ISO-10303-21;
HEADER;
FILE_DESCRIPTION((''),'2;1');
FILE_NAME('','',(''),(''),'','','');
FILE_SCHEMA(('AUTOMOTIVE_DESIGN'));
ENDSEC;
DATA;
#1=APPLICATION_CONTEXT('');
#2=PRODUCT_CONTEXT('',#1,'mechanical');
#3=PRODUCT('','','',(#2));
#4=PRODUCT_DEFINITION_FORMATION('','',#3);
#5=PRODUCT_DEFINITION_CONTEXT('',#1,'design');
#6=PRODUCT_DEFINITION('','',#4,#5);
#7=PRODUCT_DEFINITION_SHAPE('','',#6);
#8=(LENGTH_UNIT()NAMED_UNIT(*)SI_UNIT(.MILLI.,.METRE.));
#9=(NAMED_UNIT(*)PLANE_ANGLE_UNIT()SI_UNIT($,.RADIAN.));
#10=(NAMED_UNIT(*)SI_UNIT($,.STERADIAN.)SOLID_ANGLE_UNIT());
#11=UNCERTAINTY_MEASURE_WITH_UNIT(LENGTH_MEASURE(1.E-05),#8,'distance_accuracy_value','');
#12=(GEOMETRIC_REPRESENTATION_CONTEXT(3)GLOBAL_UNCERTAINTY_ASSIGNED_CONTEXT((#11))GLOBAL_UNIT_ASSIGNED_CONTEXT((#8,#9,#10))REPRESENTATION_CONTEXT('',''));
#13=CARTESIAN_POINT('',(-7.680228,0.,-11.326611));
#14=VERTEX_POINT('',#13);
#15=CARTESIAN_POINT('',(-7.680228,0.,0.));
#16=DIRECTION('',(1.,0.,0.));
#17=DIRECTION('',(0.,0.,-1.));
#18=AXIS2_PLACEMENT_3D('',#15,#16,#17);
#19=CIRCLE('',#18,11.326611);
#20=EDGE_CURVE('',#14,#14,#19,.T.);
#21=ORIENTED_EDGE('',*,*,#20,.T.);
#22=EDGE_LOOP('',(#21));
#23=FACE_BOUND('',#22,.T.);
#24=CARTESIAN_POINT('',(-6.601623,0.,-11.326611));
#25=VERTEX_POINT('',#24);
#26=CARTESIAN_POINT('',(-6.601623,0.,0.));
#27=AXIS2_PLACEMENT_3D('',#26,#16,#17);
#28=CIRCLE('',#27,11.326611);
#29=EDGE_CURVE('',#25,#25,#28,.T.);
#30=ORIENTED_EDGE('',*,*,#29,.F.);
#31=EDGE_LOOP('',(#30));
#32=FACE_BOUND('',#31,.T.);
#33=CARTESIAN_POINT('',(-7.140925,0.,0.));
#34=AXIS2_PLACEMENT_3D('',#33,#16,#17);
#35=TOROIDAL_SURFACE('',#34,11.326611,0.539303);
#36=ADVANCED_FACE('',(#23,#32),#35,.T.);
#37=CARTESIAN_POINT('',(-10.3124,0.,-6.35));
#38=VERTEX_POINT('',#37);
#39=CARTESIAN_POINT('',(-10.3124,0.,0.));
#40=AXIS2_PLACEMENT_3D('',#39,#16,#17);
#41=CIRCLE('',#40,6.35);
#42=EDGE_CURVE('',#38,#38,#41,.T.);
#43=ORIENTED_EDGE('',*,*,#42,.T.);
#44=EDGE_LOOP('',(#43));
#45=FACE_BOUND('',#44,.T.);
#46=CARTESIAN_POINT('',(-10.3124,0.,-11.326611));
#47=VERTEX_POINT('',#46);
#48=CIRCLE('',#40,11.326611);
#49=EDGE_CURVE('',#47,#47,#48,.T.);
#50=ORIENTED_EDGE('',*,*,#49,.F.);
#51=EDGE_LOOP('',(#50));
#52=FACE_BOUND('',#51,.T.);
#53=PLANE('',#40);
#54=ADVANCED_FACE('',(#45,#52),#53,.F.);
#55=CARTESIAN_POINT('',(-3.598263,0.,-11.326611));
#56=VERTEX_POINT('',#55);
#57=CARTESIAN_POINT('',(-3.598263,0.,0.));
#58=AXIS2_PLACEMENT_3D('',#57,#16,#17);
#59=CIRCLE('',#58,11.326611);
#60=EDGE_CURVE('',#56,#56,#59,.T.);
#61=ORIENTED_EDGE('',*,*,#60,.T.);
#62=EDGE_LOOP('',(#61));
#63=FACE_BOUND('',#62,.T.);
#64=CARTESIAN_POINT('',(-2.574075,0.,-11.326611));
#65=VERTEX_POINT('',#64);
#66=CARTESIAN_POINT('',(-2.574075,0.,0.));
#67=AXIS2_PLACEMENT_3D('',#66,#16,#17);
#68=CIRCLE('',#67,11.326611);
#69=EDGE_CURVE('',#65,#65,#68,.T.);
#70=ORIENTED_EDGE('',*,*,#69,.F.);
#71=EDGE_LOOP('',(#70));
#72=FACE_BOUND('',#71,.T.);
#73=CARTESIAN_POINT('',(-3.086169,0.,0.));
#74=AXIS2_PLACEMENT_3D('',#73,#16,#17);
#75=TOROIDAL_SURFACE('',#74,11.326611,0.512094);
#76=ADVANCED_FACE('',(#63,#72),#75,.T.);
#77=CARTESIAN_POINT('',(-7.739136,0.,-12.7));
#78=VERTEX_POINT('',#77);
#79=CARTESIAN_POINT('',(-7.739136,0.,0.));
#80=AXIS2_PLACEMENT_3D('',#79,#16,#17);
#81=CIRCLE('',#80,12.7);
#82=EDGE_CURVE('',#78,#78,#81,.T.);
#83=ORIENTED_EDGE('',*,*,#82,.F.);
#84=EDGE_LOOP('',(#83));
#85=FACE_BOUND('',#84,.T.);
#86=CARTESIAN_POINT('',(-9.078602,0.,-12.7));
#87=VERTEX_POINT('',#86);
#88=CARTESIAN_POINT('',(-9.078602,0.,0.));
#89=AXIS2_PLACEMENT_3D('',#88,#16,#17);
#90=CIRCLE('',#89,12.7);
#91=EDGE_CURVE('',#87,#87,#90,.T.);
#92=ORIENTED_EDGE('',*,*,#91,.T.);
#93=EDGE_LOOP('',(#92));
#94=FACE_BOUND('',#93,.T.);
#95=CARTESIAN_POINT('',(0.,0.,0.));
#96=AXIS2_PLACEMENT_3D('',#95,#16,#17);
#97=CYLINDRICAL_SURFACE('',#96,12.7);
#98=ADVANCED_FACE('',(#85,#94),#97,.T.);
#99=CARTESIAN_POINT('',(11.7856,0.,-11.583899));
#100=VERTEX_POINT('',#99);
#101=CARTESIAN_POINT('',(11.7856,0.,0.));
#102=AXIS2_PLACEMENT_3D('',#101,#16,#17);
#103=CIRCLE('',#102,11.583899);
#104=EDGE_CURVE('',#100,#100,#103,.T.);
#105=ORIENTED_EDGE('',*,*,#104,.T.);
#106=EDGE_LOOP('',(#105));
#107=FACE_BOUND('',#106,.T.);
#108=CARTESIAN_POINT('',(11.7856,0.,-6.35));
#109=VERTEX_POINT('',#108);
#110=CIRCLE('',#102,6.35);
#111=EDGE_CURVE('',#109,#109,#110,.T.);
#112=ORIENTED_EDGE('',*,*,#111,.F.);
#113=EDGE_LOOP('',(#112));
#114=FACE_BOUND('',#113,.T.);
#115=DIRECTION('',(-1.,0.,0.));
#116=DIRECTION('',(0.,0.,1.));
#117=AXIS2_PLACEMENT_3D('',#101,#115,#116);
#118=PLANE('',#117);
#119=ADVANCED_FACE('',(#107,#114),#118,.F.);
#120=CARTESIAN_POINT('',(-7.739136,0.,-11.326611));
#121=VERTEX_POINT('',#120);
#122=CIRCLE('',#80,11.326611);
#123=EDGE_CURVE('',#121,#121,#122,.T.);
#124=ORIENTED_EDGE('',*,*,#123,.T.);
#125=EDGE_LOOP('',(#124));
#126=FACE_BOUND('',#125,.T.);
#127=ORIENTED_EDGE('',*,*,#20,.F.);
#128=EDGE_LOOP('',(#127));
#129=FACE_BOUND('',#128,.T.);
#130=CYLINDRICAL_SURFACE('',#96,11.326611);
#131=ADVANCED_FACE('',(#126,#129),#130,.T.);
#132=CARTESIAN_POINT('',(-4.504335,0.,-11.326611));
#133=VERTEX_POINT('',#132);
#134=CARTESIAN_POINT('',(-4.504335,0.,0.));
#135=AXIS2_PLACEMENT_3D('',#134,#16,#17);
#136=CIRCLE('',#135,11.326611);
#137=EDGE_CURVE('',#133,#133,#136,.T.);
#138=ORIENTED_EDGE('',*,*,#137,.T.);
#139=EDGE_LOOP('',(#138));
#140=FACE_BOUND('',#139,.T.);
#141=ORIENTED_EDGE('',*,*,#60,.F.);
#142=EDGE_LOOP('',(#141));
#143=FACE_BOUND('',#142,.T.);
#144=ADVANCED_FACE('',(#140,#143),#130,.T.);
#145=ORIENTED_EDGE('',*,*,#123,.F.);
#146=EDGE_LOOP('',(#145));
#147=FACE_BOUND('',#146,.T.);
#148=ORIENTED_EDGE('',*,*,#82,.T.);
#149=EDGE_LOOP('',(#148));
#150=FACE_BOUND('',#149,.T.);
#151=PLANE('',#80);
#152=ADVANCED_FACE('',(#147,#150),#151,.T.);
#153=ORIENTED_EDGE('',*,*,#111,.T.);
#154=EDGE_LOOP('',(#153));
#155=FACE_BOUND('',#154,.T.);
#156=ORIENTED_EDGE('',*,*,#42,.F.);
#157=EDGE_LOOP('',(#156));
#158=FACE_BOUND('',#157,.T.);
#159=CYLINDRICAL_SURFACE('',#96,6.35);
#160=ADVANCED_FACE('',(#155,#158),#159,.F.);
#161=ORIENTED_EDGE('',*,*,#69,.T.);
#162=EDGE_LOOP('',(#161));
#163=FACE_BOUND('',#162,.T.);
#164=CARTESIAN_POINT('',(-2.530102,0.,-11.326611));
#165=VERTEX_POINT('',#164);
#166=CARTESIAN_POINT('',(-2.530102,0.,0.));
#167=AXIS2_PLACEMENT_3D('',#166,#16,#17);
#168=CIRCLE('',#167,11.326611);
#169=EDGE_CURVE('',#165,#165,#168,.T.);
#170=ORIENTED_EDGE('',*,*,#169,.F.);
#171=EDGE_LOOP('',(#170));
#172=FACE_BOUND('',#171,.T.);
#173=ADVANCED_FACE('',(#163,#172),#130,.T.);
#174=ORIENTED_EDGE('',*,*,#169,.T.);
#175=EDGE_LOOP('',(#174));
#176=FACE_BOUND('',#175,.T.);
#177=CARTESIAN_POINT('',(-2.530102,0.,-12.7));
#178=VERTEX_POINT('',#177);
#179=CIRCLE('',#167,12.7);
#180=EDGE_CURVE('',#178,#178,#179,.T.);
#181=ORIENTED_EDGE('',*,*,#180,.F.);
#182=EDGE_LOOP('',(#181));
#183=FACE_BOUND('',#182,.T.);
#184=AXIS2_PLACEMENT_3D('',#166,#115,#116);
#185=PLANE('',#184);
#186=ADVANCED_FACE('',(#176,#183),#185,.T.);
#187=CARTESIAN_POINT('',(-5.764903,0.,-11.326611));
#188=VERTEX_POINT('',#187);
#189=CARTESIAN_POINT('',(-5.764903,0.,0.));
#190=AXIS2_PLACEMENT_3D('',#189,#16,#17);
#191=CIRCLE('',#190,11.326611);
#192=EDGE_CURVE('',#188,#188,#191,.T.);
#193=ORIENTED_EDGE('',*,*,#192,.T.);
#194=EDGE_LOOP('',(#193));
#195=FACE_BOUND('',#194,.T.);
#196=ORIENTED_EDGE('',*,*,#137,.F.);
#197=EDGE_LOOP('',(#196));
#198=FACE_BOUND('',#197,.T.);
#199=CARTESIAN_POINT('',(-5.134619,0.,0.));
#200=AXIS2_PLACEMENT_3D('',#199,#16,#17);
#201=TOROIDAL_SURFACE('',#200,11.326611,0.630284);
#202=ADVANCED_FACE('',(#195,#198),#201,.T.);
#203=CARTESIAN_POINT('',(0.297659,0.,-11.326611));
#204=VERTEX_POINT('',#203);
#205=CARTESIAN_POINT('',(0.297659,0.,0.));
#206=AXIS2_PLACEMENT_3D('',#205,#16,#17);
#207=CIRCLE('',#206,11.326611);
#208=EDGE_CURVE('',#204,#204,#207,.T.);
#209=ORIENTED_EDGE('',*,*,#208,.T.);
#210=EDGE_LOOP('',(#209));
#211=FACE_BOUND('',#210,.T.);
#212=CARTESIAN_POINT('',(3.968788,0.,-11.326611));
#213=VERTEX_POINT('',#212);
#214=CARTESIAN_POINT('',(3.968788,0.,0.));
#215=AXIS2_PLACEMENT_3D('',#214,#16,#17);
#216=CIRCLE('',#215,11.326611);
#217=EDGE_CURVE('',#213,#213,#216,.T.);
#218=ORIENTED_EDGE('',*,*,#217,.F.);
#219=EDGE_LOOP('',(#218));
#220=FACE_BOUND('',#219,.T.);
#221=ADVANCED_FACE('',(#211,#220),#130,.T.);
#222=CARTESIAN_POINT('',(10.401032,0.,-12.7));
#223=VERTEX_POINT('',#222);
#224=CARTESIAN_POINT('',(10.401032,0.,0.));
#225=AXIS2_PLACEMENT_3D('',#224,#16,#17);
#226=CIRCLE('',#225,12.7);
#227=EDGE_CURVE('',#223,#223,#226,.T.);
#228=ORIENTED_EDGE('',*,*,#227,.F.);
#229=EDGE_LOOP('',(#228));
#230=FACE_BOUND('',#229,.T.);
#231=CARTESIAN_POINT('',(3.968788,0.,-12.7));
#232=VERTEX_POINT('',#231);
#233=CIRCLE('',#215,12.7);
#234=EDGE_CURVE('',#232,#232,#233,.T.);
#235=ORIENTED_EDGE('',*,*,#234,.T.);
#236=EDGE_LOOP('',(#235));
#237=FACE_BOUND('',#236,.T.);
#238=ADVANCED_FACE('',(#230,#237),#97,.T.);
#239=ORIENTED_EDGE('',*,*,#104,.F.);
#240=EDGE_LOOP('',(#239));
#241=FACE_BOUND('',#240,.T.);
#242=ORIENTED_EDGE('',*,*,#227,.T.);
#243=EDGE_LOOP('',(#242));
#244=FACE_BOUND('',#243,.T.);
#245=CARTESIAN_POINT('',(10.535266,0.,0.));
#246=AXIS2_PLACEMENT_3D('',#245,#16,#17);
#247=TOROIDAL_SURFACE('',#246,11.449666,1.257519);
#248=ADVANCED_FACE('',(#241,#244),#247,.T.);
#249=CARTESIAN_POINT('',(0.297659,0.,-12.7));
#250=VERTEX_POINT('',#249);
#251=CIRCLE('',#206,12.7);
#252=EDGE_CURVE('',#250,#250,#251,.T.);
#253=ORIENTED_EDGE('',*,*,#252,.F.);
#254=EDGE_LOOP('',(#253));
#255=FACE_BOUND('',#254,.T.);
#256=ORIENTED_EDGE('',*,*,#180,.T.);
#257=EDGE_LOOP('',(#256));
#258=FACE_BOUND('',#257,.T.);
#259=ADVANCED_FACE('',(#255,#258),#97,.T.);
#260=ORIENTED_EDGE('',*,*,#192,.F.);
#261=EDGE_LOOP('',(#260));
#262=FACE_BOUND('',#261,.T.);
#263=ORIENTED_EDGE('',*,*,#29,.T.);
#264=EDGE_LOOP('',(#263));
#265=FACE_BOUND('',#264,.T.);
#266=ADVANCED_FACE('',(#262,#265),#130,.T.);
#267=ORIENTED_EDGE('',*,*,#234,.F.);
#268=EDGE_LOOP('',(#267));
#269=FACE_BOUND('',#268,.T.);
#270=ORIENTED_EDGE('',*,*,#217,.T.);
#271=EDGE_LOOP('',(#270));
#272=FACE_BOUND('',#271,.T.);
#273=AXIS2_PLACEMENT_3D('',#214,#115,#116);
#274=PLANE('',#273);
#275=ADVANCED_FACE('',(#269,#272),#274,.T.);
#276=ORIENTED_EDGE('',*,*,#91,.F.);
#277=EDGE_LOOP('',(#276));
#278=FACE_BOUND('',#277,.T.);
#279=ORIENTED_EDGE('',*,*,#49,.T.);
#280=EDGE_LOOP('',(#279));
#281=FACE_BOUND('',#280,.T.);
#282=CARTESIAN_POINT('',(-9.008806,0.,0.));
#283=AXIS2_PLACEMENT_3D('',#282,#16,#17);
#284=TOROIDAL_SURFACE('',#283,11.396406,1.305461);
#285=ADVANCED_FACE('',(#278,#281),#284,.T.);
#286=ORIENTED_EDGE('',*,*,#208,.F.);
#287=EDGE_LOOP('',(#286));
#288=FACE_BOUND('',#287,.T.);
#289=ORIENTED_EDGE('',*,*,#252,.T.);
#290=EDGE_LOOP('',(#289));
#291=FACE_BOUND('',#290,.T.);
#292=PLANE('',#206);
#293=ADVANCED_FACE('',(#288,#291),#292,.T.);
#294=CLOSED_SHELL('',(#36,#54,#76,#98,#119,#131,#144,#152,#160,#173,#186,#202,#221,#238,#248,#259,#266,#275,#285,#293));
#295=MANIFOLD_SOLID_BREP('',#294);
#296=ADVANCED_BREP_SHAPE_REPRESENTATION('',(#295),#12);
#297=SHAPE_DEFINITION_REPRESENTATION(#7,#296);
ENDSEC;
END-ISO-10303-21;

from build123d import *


with BuildPart() as part:
    # Sketch1 → Revolve1 (revolve)
    with BuildSketch(Plane.XY, mode=Mode.PRIVATE) as revolve1_sk:
        with BuildLine():
            Line((3.968787666, 12.7), (3.968787666, 11.32661101))
            Line((3.968787666, 11.32661101), (0.297659075, 11.32661101))
            Line((0.297659075, 11.32661101), (0.297659075, 12.7))
            Line((0.297659075, 12.7), (-2.530102137, 12.7))
            Line((-2.530102137, 12.7), (-2.530102137, 11.32661101))
            Line((-2.530102137, 11.32661101), (-2.574075102, 11.32661101))
            ThreePointArc((-2.574075102, 11.32661101), (-3.086168863, 11.838704771), (-3.598262623, 11.32661101))
            Line((-3.598262623, 11.32661101), (-4.504334849, 11.32661101))
            ThreePointArc((-4.504334849, 11.32661101), (-5.134619043, 11.956895205), (-5.764903238, 11.32661101))
            Line((-5.764903238, 11.32661101), (-6.601622574, 11.32661101))
            ThreePointArc((-6.601622574, 11.32661101), (-7.140925132, 11.865913569), (-7.680227691, 11.32661101))
            Line((-7.680227691, 11.32661101), (-7.739135949, 11.32661101))
            Line((-7.739135949, 11.32661101), (-7.739135949, 12.7))
            Line((-7.739135949, 12.7), (-9.078601787, 12.7))
            ThreePointArc((-9.078601787, 12.7), (-9.979939066, 12.268833482), (-10.3124, 11.32661101))
            Line((-10.3124, 11.32661101), (-10.3124, 6.35))
            Line((-10.3124, 6.35), (11.7856, 6.35))
            Line((11.7856, 6.35), (11.7856, 11.583899001))
            ThreePointArc((11.7856, 11.583899001), (11.324468263, 12.428702849), (10.401032355, 12.7))
            Line((10.401032355, 12.7), (3.968787666, 12.7))
        make_face()
    revolve(revolve1_sk.sketch.rotate(Axis((0, 0, 0), (-1, 0, 0)), 90), axis=Axis((0, 0, 0), (-1, 0, 0)))


solid = part.part
